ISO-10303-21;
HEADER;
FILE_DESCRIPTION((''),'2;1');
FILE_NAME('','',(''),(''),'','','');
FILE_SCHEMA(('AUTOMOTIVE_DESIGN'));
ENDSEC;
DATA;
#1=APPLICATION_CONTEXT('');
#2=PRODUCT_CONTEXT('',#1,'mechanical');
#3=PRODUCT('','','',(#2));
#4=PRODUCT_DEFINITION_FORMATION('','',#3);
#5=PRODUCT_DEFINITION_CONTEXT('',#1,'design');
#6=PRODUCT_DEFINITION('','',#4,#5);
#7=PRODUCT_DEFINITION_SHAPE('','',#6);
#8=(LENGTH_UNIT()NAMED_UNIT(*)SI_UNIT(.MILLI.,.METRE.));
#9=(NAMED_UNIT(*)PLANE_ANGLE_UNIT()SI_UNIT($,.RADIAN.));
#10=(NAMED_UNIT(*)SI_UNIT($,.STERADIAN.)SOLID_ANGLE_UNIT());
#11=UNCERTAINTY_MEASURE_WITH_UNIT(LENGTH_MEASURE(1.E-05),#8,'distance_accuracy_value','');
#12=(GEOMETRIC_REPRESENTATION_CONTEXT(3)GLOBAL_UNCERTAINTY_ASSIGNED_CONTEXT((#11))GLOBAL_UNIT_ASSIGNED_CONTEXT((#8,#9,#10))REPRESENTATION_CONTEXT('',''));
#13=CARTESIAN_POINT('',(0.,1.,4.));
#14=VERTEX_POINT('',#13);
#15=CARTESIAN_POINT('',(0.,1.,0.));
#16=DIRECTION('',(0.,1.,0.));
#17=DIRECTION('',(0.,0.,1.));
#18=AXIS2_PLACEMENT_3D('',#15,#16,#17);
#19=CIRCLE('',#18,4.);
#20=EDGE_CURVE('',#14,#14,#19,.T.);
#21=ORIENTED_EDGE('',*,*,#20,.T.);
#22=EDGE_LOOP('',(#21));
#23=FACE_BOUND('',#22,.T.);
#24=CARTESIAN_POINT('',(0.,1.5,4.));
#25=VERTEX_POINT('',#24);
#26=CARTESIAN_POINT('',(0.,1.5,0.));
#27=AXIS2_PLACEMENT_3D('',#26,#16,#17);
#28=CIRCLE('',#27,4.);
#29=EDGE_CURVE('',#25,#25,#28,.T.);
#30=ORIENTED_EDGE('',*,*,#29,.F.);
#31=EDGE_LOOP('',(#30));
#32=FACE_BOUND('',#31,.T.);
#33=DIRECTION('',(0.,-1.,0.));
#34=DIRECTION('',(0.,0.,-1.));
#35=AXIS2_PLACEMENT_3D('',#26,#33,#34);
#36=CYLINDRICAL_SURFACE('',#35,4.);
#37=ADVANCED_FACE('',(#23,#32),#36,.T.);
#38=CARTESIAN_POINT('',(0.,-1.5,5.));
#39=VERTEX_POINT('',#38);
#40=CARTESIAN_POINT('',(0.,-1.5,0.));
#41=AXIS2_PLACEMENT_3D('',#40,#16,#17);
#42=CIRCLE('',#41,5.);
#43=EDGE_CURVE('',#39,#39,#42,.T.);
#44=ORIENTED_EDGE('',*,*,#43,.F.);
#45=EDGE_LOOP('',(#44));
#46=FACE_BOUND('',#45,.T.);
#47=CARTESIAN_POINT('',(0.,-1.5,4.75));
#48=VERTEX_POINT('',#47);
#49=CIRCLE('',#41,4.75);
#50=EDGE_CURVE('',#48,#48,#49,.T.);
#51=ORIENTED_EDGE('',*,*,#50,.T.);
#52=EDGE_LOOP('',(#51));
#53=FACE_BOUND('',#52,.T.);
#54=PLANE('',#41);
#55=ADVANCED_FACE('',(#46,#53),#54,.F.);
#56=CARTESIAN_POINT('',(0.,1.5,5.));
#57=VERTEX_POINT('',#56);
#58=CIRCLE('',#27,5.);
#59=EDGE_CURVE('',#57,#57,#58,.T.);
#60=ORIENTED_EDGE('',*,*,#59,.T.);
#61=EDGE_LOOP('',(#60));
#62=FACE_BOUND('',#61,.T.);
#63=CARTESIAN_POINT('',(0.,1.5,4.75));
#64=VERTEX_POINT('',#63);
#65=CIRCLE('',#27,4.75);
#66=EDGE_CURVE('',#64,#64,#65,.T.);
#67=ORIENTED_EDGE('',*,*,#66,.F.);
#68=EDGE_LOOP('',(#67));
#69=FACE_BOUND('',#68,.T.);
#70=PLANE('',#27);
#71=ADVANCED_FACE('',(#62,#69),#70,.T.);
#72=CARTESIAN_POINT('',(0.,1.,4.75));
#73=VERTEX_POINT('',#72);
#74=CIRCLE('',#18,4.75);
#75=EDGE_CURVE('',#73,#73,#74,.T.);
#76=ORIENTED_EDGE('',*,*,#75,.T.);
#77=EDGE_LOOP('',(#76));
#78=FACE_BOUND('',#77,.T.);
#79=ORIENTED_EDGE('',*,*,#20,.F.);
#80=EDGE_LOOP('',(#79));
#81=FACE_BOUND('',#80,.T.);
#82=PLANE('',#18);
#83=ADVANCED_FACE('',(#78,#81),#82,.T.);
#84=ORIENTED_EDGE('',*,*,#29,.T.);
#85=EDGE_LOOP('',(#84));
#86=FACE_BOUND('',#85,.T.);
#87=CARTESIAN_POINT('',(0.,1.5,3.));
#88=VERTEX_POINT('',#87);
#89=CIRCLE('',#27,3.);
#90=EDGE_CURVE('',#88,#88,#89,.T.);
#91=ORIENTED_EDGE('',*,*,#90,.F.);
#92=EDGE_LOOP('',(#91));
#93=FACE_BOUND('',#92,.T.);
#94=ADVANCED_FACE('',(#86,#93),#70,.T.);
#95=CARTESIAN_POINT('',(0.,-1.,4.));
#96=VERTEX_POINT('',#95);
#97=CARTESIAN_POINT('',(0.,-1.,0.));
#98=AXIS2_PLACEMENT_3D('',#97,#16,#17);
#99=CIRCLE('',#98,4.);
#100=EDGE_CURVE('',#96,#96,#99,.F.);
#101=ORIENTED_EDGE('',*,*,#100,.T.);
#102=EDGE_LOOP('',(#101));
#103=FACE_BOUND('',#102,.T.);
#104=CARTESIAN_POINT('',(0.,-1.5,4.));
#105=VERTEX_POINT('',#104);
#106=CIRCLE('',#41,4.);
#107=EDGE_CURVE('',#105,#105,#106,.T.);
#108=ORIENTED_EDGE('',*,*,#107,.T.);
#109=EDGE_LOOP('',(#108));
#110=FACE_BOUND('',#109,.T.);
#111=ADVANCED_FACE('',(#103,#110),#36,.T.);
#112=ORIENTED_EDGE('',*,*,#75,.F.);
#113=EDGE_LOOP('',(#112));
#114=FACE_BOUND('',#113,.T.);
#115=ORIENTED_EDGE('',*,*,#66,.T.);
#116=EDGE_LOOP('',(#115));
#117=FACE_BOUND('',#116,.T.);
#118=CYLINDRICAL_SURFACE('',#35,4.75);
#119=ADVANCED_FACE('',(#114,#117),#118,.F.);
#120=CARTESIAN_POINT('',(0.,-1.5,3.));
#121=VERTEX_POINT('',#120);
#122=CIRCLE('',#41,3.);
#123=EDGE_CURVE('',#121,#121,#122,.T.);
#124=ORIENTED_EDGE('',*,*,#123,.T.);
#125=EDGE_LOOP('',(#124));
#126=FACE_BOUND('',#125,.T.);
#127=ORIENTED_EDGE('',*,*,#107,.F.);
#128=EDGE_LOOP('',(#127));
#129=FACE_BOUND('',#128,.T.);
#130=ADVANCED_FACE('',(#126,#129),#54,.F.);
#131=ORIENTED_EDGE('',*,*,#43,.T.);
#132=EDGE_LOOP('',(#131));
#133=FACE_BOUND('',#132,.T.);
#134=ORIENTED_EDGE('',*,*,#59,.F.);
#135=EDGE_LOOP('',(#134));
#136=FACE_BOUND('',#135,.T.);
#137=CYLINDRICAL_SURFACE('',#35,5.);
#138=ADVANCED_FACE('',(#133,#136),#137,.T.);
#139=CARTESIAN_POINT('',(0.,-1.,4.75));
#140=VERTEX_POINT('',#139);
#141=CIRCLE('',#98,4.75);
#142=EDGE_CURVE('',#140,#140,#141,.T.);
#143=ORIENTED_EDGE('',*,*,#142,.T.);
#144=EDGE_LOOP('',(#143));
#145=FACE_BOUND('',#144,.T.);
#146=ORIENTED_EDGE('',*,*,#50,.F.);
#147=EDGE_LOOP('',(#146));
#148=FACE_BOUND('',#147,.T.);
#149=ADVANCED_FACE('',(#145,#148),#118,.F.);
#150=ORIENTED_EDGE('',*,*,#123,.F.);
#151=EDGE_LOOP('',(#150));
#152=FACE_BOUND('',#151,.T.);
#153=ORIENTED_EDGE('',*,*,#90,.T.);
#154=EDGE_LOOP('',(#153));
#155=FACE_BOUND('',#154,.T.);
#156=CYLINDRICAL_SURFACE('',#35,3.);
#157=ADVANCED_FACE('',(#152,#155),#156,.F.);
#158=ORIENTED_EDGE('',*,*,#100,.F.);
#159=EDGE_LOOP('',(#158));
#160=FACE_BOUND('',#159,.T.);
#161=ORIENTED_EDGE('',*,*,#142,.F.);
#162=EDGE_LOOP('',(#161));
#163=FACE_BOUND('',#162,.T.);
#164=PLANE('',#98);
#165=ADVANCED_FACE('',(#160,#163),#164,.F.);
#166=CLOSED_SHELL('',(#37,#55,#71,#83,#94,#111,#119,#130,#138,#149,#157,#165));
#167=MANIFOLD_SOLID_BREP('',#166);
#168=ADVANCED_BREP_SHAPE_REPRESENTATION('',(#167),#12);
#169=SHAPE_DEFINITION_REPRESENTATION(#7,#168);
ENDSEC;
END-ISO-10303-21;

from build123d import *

# Parameters (mm, degrees)
SKETCH_1_R        = 5
SKETCH_1_R_2      = 4.75
EXTRUDE_1_DEPTH   = 1.5
SKETCH_1_R_3      = 4
SKETCH_1_R_4      = 3
EXTRUDE_1_2_DEPTH = 1.5
SKETCH_1_3_R      = 4.75
SKETCH_1_3_R_2    = 4
EXTRUDE_2_DEPTH   = 1


with BuildPart() as part:
    # 草图1 → 凸台-拉伸1 (new, symmetric)
    with BuildSketch(Plane(origin=(0, 0, 0), x_dir=(1, 0, 0), z_dir=(0, 1, 0))):
        Circle(SKETCH_1_R)
        Circle(SKETCH_1_R_2, mode=Mode.SUBTRACT)
    extrude(amount=EXTRUDE_1_DEPTH, both=True)



with BuildPart() as body_2:
    # 草图1 → Extrude 1 2 (new, symmetric)
    with BuildSketch(Plane(origin=(0, 0, 0), x_dir=(1, 0, 0), z_dir=(0, 1, 0))):
        Circle(SKETCH_1_R_3)
        Circle(SKETCH_1_R_4, mode=Mode.SUBTRACT)
    extrude(amount=EXTRUDE_1_2_DEPTH, both=True)


with BuildPart() as part_1:
    add(part.part)

    add(body_2.part)  # 凸台-拉伸2 merges body 2
    # 草图1<3> → 凸台-拉伸2 (add, symmetric)
    with BuildSketch(Plane(origin=(0, 0, 0), x_dir=(1, 0, 0), z_dir=(0, 1, 0))):
        Circle(SKETCH_1_3_R)
        Circle(SKETCH_1_3_R_2, mode=Mode.SUBTRACT)
    extrude(amount=EXTRUDE_2_DEPTH, both=True)


solid = part_1.part
